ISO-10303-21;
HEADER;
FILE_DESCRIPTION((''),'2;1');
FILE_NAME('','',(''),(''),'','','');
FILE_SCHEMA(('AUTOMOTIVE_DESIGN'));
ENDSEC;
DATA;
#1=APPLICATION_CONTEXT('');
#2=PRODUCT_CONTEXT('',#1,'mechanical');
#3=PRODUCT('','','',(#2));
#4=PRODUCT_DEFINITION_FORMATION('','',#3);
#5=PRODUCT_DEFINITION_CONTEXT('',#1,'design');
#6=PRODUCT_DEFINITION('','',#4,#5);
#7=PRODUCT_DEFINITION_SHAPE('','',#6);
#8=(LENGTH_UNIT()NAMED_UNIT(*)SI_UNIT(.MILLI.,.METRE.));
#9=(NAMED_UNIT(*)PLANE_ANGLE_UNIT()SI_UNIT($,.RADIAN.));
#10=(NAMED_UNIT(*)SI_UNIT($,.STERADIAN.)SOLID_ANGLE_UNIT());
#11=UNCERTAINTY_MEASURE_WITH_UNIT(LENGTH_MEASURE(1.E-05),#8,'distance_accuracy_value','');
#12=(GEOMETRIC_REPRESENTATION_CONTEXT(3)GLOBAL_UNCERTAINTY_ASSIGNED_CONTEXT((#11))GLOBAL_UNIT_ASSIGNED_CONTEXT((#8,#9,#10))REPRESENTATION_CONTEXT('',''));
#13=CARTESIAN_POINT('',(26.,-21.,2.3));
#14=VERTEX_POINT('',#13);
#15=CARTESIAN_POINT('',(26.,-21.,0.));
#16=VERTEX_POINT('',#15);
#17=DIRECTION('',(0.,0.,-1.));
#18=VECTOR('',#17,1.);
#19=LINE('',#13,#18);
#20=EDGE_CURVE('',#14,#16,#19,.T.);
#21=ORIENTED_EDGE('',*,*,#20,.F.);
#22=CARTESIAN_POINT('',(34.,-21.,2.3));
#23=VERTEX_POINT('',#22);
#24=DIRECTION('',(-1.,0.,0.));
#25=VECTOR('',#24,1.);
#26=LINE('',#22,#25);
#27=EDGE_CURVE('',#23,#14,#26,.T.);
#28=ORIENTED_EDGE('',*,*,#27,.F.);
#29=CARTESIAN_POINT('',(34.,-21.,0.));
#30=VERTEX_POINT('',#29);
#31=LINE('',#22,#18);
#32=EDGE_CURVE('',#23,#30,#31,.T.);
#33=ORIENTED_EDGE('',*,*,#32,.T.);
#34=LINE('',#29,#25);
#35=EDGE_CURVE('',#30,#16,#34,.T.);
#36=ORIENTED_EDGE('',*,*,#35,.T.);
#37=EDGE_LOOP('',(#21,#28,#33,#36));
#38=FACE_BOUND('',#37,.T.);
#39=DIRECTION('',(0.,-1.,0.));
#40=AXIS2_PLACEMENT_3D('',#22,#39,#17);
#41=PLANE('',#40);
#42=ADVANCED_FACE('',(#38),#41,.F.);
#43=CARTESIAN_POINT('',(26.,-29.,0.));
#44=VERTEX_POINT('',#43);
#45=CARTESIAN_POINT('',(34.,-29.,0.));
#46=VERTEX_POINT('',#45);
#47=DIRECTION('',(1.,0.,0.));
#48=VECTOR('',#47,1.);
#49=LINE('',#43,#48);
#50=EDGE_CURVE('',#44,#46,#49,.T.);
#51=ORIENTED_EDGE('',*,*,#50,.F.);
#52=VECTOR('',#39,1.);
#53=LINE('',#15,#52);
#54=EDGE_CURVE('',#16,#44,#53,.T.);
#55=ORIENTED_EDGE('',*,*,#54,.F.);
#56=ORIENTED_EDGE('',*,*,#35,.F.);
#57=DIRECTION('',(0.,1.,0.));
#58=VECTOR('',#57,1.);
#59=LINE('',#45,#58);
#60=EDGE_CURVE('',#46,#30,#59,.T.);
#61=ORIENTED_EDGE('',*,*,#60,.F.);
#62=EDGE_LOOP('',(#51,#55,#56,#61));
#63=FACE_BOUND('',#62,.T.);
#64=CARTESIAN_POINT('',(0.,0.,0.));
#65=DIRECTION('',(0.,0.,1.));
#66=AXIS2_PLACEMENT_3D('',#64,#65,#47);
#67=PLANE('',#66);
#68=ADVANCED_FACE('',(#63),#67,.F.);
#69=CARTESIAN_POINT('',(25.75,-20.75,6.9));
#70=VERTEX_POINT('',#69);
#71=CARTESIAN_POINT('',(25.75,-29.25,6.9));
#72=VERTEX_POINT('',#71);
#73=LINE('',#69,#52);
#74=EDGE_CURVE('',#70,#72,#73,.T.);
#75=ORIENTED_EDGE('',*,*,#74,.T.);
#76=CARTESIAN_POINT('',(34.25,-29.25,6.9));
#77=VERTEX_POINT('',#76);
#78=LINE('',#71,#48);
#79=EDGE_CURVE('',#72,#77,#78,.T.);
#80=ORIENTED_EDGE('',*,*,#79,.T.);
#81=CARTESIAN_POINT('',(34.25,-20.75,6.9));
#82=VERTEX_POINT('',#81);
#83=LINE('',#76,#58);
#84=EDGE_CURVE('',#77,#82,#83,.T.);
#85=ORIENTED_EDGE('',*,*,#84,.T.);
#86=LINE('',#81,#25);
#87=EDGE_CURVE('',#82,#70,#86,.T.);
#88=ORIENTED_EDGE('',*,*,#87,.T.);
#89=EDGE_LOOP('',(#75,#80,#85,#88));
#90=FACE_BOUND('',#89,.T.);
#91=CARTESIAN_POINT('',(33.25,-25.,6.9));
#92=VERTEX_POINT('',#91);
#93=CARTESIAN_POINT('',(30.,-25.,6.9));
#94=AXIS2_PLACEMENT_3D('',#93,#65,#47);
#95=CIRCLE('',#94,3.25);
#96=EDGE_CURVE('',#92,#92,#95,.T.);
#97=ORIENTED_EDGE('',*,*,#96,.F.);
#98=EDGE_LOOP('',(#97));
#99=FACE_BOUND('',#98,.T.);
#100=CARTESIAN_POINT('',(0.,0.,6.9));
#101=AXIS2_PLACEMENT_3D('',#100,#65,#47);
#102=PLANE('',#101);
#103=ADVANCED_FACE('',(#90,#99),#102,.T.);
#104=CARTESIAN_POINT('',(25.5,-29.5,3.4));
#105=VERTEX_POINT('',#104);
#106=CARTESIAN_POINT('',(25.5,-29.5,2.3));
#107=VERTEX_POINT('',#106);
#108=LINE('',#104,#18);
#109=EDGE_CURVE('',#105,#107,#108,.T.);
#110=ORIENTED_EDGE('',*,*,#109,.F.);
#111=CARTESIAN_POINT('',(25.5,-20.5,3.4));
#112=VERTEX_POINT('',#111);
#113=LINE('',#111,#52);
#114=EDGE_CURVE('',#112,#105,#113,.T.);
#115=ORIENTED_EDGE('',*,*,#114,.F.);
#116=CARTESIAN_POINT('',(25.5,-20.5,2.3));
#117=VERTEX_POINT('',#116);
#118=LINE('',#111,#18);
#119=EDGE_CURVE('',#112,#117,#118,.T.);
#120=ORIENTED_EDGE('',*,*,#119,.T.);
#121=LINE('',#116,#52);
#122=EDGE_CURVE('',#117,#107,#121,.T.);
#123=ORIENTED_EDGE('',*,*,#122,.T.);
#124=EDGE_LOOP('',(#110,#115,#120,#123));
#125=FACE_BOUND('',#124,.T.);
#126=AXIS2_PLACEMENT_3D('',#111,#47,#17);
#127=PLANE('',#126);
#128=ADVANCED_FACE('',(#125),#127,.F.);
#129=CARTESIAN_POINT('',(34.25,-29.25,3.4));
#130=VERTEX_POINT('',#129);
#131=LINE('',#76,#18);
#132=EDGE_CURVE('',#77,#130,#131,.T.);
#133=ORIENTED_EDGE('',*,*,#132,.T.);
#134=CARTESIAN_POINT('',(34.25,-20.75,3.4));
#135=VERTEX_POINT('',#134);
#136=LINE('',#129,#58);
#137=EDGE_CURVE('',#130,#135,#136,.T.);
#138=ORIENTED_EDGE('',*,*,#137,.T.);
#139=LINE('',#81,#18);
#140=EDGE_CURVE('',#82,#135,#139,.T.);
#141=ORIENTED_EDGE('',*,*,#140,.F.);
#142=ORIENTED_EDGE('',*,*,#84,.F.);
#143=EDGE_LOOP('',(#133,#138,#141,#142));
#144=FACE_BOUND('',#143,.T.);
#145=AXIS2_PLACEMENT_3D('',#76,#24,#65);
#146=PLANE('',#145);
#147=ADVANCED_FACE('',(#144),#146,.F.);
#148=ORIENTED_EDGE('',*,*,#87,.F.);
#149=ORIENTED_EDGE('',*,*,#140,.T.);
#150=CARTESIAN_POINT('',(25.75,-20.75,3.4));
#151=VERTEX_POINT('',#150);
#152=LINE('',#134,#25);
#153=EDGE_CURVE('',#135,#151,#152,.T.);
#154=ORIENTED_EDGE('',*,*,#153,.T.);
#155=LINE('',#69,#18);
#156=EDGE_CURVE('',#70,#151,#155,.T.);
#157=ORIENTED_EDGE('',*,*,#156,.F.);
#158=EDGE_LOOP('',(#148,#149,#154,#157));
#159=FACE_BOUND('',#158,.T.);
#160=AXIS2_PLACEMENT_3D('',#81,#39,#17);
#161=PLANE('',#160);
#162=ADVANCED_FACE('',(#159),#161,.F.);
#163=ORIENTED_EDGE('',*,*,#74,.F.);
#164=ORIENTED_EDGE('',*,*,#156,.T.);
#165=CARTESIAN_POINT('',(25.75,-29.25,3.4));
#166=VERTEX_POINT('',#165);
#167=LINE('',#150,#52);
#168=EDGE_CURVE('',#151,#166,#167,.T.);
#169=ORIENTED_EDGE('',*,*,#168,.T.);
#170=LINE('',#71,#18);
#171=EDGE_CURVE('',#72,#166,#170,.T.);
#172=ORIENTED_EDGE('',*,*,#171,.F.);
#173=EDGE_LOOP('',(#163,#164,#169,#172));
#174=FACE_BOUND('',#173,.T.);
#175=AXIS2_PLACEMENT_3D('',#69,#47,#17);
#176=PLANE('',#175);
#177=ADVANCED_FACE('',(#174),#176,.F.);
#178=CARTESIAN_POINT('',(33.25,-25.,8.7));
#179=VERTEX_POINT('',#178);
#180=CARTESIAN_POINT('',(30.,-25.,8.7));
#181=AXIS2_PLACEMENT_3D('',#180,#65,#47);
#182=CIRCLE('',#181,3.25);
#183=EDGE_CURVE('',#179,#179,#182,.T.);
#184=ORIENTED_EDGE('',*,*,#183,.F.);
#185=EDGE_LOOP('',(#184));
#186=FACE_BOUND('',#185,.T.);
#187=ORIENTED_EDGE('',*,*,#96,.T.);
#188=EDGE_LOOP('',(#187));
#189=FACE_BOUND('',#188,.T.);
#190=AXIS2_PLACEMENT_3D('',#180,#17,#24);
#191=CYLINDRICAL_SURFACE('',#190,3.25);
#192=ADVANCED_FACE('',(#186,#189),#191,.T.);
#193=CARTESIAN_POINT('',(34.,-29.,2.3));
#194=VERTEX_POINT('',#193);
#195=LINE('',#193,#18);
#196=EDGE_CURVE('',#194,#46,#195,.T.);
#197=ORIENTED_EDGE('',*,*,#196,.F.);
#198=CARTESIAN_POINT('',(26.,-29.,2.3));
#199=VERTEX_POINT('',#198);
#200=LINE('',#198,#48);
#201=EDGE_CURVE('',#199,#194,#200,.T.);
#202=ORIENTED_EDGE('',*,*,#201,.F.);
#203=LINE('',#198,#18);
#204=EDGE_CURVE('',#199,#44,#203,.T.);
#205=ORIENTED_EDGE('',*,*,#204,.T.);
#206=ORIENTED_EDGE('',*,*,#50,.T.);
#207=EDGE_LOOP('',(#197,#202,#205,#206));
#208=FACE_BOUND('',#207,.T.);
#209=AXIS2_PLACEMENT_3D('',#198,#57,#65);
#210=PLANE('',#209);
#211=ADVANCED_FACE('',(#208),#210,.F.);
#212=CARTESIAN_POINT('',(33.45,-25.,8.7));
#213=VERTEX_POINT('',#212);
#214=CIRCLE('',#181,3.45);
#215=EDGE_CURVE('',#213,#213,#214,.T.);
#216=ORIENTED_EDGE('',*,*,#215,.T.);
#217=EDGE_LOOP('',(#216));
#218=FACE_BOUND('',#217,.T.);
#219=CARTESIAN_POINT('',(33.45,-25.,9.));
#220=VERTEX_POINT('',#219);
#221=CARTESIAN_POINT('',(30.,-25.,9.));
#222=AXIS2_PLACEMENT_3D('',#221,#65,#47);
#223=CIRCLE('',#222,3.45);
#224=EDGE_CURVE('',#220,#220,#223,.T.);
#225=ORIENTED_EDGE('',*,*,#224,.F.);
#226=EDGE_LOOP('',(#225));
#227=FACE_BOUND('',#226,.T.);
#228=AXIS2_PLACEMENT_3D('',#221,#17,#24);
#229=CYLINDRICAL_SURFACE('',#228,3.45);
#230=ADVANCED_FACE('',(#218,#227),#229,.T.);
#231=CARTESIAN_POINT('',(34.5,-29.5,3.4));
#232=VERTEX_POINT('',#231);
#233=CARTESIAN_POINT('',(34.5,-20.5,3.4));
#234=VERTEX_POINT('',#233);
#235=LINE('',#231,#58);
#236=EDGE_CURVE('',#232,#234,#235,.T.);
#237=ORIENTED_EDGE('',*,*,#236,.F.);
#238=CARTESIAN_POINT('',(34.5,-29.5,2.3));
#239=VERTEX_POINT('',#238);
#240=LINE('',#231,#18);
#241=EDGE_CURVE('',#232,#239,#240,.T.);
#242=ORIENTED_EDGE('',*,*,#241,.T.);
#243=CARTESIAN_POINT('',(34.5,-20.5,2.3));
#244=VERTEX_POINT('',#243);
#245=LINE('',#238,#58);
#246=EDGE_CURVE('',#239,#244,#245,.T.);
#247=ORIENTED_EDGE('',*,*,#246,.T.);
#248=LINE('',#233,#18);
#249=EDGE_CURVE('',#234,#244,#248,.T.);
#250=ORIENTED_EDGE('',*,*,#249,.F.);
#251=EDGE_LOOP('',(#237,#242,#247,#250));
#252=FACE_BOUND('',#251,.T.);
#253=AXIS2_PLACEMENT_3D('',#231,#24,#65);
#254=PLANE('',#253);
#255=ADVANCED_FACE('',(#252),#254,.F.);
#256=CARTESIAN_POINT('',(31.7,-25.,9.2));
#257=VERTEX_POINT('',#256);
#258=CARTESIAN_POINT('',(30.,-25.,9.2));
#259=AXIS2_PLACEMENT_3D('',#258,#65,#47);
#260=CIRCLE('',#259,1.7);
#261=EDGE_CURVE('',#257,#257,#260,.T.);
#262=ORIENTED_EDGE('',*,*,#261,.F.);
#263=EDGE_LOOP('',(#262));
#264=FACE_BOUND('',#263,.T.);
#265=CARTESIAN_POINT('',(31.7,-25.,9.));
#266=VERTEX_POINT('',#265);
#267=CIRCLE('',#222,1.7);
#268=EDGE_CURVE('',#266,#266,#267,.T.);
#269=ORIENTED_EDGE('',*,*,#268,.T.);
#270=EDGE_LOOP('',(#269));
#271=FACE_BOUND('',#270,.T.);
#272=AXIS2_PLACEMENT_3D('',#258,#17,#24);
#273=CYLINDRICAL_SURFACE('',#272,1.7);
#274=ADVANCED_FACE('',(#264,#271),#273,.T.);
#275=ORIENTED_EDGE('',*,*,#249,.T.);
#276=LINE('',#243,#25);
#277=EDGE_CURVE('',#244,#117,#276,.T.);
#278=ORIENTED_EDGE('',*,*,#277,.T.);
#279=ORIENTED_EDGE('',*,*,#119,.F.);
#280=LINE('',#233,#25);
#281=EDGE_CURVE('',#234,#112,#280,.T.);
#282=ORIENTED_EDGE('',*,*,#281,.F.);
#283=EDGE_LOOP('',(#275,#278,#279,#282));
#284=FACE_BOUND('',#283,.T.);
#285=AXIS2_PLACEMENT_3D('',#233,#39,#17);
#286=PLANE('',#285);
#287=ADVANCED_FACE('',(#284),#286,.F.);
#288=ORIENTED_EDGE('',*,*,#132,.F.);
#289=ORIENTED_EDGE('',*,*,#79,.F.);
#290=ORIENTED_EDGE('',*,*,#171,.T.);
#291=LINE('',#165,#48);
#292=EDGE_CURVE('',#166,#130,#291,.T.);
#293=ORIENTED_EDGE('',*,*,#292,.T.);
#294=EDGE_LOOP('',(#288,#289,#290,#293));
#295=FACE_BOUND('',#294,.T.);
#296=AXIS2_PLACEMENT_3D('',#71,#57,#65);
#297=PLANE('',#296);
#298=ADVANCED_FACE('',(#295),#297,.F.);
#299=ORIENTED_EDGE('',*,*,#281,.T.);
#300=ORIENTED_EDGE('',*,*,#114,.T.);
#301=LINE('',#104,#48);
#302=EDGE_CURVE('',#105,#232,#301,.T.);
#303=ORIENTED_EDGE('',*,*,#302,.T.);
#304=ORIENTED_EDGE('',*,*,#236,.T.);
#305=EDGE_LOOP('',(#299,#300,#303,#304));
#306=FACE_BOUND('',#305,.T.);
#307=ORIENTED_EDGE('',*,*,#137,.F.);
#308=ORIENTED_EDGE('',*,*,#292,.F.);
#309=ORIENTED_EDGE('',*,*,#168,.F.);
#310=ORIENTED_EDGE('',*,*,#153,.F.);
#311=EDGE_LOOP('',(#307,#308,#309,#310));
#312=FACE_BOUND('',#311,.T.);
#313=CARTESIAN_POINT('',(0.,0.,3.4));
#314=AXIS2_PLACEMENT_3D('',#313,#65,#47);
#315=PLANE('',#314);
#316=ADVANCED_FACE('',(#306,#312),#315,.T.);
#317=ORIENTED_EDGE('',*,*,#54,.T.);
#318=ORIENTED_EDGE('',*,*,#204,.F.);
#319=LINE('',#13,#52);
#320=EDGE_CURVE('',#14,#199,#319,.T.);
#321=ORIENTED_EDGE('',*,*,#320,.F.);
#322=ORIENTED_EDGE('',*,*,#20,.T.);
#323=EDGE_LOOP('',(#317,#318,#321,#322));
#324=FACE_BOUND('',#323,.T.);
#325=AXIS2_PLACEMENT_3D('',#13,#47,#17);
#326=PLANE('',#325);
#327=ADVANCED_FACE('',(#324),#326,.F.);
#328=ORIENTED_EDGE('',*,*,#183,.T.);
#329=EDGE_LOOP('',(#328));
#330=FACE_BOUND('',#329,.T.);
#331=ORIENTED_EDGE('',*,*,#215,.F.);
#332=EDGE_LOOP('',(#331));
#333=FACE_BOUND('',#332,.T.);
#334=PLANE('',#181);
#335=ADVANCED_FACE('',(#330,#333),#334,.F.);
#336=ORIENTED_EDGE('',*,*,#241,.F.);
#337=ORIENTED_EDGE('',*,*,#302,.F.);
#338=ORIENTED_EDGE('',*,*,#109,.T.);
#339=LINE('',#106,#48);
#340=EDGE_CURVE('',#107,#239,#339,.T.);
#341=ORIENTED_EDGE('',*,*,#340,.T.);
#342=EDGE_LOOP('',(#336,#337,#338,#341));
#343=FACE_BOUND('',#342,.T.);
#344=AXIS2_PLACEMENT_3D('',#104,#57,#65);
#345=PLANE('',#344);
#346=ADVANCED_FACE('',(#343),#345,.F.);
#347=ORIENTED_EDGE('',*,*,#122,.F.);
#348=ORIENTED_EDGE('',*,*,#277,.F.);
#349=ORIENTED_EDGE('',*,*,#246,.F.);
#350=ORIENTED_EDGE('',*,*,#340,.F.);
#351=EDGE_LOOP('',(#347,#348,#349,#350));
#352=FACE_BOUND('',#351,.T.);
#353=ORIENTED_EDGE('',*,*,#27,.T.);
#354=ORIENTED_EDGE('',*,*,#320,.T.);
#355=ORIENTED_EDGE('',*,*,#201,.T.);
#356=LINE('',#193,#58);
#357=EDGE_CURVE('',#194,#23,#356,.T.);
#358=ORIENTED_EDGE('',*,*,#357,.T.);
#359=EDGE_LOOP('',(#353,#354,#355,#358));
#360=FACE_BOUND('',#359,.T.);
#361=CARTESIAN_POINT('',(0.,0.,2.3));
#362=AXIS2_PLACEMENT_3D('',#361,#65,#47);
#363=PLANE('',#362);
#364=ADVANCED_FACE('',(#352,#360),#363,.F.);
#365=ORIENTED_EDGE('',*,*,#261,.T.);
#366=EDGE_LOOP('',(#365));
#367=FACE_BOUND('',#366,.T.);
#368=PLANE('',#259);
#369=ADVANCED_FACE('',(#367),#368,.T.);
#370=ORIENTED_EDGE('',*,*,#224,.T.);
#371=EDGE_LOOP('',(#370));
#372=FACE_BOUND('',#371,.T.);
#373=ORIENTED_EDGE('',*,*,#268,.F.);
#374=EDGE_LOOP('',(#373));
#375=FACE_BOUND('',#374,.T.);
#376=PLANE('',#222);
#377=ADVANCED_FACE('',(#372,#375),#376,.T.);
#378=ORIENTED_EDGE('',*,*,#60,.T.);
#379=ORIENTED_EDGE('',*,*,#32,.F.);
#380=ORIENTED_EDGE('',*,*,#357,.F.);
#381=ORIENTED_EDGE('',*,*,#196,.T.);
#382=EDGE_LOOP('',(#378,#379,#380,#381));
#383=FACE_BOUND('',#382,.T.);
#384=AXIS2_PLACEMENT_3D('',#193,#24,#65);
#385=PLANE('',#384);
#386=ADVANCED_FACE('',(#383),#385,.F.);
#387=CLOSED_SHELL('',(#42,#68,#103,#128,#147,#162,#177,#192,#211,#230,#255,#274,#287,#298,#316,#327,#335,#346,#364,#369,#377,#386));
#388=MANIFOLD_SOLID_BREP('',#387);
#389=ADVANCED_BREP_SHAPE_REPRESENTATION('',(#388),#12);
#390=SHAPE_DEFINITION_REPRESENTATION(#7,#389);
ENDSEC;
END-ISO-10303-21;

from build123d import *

# Parameters (mm, degrees)
SKETCH_1_W        = 8
SKETCH_1_H        = 8
FOAM_PAD_DEPTH    = 2.3
SENSOR_START      = 2.3
SKETCH_2_W        = 9
SKETCH_2_H        = 9
SENSOR_PCB_DEPTH  = 1.1
LENS_START        = 3.4
SKETCH_3_W        = 8.5
SKETCH_3_H        = 8.5
LENS_HOLDER_DEPTH = 3.5
LENS_START_2      = 6.9
SKETCH_4_R        = 3.25
LENS_BARREL_DEPTH = 1.8
LENS_START_3      = 8.7
SKETCH_5_R        = 3.45
LENS_RING_DEPTH   = 0.3
LENS_START_4      = 9
SKETCH_6_R        = 1.7
LENS_GLASS_DEPTH  = 0.2


with BuildPart() as part:
    # 草圖1 → foam pad (new body)
    with BuildSketch(Plane.XY):
        with Locations((30, -25)):
            Rectangle(SKETCH_1_W, SKETCH_1_H)
    extrude(amount=FOAM_PAD_DEPTH)

    # 草圖2 → sensor PCB (add)
    with BuildSketch(Plane.XY.offset(SENSOR_START)):
        with Locations((30, -25)):
            Rectangle(SKETCH_2_W, SKETCH_2_H)
    extrude(amount=SENSOR_PCB_DEPTH)

    # 草圖3 → lens holder (add)
    with BuildSketch(Plane.XY.offset(LENS_START)):
        with Locations((30, -25)):
            Rectangle(SKETCH_3_W, SKETCH_3_H)
    extrude(amount=LENS_HOLDER_DEPTH)

    # 草圖4 → lens barrel (add)
    with BuildSketch(Plane.XY.offset(LENS_START_2)):
        with Locations((30, -25)):
            Circle(SKETCH_4_R)
    extrude(amount=LENS_BARREL_DEPTH)

    # 草圖5 → lens ring (add)
    with BuildSketch(Plane.XY.offset(LENS_START_3)):
        with Locations((30, -25)):
            Circle(SKETCH_5_R)
    extrude(amount=LENS_RING_DEPTH)

    # 草圖6 → lens glass (add)
    with BuildSketch(Plane.XY.offset(LENS_START_4)):
        with Locations((30, -25)):
            Circle(SKETCH_6_R)
    extrude(amount=LENS_GLASS_DEPTH)


solid = part.part
